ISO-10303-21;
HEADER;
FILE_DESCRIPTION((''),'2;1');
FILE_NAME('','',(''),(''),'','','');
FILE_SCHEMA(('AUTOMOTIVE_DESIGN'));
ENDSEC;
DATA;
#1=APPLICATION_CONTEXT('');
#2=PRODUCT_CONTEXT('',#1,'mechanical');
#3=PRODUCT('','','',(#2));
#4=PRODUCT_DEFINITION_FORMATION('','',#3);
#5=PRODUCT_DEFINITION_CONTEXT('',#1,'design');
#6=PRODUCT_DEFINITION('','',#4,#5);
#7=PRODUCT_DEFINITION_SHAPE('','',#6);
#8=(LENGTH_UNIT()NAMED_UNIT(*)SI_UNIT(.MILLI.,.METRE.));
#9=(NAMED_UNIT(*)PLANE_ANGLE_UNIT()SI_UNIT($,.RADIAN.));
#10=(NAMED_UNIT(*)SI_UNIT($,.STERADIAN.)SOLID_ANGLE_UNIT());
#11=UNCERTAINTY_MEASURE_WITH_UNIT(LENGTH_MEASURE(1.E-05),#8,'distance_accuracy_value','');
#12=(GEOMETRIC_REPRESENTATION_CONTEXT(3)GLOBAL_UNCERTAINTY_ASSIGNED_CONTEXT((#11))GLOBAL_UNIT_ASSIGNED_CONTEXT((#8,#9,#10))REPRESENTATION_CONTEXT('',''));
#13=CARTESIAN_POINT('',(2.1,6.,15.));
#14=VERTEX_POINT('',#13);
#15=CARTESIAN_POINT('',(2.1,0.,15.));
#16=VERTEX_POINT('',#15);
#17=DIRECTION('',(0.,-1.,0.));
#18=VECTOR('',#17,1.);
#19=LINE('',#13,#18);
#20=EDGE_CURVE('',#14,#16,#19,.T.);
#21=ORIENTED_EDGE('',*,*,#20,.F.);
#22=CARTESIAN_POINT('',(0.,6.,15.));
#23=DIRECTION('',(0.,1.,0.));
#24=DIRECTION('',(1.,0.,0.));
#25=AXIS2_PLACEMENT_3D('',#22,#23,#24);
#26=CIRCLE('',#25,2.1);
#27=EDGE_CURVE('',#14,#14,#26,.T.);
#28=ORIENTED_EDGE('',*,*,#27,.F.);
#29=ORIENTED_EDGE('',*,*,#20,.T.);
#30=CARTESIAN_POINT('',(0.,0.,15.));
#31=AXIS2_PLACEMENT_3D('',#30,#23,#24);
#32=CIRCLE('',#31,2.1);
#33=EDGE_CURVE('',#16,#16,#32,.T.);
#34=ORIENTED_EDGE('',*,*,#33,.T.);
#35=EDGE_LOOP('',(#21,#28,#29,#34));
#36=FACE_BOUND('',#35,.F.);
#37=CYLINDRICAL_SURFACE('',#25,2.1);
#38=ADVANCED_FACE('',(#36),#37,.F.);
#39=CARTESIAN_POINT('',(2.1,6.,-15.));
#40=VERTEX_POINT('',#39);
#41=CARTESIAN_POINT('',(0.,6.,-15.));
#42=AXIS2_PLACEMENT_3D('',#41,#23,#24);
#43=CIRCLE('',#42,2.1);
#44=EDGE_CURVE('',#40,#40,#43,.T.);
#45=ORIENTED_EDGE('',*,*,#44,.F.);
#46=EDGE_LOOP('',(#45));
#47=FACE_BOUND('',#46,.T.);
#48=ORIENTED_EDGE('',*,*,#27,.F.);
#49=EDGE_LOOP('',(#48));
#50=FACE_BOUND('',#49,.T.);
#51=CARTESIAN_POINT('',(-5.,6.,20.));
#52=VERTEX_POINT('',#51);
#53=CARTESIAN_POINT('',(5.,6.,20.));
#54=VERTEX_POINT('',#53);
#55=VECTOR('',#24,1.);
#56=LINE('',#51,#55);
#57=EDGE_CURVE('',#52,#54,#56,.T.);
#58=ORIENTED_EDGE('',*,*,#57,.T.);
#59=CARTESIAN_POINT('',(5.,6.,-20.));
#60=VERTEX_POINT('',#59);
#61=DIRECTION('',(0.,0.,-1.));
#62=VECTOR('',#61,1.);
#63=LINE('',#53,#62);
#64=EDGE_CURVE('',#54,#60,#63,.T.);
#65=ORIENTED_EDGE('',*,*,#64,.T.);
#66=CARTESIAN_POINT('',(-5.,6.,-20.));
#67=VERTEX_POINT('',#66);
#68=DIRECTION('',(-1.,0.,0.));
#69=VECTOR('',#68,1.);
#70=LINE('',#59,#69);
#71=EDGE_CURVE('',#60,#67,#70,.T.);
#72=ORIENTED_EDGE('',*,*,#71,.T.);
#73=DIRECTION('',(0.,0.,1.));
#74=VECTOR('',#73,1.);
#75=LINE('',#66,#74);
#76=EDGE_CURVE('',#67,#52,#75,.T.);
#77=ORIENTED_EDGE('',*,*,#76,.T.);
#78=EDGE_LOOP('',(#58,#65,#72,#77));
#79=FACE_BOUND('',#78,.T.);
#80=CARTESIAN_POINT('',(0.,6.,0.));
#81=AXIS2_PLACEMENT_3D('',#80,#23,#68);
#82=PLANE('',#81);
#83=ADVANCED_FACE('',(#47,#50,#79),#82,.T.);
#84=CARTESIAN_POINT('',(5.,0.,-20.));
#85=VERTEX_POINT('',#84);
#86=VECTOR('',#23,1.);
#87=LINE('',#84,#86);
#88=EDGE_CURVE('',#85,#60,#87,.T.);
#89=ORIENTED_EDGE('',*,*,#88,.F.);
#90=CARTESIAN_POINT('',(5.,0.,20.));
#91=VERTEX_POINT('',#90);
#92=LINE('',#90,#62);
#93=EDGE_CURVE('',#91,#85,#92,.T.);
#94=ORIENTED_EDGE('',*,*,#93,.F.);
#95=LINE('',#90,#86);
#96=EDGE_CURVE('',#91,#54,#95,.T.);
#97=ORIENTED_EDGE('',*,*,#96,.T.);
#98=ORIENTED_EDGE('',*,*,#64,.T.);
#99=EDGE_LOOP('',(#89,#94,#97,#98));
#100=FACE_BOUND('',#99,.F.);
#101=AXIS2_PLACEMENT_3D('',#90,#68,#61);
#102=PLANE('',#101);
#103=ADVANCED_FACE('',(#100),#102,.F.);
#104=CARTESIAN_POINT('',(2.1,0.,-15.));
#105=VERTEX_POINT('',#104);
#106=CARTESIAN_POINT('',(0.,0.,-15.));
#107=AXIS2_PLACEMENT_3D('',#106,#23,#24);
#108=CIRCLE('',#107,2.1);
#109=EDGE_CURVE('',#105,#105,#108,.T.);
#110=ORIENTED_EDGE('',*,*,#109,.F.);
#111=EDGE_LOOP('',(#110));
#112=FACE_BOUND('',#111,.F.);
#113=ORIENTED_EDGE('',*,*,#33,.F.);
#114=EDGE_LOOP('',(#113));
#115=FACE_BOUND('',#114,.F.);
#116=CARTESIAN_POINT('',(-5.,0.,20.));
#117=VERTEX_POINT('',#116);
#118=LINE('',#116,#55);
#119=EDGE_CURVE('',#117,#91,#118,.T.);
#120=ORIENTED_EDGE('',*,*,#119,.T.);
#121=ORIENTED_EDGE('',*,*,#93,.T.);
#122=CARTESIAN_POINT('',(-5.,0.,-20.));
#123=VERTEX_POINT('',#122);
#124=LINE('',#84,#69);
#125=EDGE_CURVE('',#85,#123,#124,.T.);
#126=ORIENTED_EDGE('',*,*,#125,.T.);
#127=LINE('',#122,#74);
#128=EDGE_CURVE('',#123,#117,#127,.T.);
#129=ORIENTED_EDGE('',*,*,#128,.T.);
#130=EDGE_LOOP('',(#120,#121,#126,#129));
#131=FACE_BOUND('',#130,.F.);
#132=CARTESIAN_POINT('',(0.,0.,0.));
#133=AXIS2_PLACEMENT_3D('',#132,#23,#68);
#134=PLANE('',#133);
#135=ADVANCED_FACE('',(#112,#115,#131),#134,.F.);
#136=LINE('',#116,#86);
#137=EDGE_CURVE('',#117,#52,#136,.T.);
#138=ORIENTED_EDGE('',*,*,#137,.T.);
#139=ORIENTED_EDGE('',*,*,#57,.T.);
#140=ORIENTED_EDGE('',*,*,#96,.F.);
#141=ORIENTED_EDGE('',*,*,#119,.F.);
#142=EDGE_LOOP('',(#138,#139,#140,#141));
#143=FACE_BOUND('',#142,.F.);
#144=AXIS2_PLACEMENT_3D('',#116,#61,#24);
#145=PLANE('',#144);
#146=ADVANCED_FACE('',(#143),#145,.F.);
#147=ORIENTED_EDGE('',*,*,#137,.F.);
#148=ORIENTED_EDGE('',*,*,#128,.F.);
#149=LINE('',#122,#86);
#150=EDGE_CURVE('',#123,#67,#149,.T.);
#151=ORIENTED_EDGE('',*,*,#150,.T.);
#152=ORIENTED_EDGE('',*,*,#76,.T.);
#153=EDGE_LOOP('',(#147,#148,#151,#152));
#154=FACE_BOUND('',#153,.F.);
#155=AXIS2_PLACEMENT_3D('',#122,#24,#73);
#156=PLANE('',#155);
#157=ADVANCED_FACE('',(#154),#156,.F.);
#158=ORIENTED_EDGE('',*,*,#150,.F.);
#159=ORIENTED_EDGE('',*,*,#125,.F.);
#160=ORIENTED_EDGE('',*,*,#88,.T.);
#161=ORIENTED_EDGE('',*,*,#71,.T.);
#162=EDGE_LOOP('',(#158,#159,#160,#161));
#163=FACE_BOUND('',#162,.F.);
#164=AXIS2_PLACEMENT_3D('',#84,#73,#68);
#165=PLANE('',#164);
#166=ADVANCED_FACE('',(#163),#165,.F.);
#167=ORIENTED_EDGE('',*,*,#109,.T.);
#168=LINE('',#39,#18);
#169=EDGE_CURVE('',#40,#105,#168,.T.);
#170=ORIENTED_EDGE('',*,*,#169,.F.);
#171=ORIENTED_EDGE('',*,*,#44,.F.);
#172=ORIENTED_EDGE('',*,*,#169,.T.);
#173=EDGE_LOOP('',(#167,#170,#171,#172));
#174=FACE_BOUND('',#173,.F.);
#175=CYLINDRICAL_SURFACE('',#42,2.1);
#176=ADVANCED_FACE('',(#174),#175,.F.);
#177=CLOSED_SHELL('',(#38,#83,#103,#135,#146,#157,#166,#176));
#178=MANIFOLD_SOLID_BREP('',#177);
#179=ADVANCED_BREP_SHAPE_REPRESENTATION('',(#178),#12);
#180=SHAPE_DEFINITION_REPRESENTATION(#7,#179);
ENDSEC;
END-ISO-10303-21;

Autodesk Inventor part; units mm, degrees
ref_plane "YZ Plane" through (0, 0, 0) normal (1, 0, 0) x (0, 1, 0)
ref_plane "XZ Plane" through (0, 0, 0) normal (0, 1, 0) x (-1, 0, 0)
ref_plane "XY Plane" through (0, 0, 0) normal (0, 0, 1) x (1, 0, 0)
sketch "草图1" plane through (0, 0, 0) normal (0, 1, 0) x (-1, 0, 0)
  line L0 (5, 20) -> (-5, 20)
  line L1 (-5, 20) -> (-5, -20)
  line L2 (-5, -20) -> (5, -20)
  line L3 (5, -20) -> (5, 20)
  line L4 (0, 2.1988) -> (0, -1.8948)
  line L5 (1.3565, 0) -> (-1, 0)
  point P0 (0, 0)
  dimension "d0" = 10
  dimension "d1" = 40
extrude "拉伸1" add sketch "草图1" along normal blind 6
sketch "草图2" plane through (0, 6, 0) normal (0, 1, 0) x (1, 0, 0)
  circle A0 centre (0, -15) radius 2.1
  circle A1 centre (0, 15) radius 2.1
  line L0 (-4, 0) -> (3.6333, 0)
  point P0 (0, 0)
  dimension "d4" = 4.2
  dimension "d5" = 4.2
  dimension "d6" = 30
extrude "拉伸2" cut sketch "草图2" against normal blind 6
properties part number "connect"
